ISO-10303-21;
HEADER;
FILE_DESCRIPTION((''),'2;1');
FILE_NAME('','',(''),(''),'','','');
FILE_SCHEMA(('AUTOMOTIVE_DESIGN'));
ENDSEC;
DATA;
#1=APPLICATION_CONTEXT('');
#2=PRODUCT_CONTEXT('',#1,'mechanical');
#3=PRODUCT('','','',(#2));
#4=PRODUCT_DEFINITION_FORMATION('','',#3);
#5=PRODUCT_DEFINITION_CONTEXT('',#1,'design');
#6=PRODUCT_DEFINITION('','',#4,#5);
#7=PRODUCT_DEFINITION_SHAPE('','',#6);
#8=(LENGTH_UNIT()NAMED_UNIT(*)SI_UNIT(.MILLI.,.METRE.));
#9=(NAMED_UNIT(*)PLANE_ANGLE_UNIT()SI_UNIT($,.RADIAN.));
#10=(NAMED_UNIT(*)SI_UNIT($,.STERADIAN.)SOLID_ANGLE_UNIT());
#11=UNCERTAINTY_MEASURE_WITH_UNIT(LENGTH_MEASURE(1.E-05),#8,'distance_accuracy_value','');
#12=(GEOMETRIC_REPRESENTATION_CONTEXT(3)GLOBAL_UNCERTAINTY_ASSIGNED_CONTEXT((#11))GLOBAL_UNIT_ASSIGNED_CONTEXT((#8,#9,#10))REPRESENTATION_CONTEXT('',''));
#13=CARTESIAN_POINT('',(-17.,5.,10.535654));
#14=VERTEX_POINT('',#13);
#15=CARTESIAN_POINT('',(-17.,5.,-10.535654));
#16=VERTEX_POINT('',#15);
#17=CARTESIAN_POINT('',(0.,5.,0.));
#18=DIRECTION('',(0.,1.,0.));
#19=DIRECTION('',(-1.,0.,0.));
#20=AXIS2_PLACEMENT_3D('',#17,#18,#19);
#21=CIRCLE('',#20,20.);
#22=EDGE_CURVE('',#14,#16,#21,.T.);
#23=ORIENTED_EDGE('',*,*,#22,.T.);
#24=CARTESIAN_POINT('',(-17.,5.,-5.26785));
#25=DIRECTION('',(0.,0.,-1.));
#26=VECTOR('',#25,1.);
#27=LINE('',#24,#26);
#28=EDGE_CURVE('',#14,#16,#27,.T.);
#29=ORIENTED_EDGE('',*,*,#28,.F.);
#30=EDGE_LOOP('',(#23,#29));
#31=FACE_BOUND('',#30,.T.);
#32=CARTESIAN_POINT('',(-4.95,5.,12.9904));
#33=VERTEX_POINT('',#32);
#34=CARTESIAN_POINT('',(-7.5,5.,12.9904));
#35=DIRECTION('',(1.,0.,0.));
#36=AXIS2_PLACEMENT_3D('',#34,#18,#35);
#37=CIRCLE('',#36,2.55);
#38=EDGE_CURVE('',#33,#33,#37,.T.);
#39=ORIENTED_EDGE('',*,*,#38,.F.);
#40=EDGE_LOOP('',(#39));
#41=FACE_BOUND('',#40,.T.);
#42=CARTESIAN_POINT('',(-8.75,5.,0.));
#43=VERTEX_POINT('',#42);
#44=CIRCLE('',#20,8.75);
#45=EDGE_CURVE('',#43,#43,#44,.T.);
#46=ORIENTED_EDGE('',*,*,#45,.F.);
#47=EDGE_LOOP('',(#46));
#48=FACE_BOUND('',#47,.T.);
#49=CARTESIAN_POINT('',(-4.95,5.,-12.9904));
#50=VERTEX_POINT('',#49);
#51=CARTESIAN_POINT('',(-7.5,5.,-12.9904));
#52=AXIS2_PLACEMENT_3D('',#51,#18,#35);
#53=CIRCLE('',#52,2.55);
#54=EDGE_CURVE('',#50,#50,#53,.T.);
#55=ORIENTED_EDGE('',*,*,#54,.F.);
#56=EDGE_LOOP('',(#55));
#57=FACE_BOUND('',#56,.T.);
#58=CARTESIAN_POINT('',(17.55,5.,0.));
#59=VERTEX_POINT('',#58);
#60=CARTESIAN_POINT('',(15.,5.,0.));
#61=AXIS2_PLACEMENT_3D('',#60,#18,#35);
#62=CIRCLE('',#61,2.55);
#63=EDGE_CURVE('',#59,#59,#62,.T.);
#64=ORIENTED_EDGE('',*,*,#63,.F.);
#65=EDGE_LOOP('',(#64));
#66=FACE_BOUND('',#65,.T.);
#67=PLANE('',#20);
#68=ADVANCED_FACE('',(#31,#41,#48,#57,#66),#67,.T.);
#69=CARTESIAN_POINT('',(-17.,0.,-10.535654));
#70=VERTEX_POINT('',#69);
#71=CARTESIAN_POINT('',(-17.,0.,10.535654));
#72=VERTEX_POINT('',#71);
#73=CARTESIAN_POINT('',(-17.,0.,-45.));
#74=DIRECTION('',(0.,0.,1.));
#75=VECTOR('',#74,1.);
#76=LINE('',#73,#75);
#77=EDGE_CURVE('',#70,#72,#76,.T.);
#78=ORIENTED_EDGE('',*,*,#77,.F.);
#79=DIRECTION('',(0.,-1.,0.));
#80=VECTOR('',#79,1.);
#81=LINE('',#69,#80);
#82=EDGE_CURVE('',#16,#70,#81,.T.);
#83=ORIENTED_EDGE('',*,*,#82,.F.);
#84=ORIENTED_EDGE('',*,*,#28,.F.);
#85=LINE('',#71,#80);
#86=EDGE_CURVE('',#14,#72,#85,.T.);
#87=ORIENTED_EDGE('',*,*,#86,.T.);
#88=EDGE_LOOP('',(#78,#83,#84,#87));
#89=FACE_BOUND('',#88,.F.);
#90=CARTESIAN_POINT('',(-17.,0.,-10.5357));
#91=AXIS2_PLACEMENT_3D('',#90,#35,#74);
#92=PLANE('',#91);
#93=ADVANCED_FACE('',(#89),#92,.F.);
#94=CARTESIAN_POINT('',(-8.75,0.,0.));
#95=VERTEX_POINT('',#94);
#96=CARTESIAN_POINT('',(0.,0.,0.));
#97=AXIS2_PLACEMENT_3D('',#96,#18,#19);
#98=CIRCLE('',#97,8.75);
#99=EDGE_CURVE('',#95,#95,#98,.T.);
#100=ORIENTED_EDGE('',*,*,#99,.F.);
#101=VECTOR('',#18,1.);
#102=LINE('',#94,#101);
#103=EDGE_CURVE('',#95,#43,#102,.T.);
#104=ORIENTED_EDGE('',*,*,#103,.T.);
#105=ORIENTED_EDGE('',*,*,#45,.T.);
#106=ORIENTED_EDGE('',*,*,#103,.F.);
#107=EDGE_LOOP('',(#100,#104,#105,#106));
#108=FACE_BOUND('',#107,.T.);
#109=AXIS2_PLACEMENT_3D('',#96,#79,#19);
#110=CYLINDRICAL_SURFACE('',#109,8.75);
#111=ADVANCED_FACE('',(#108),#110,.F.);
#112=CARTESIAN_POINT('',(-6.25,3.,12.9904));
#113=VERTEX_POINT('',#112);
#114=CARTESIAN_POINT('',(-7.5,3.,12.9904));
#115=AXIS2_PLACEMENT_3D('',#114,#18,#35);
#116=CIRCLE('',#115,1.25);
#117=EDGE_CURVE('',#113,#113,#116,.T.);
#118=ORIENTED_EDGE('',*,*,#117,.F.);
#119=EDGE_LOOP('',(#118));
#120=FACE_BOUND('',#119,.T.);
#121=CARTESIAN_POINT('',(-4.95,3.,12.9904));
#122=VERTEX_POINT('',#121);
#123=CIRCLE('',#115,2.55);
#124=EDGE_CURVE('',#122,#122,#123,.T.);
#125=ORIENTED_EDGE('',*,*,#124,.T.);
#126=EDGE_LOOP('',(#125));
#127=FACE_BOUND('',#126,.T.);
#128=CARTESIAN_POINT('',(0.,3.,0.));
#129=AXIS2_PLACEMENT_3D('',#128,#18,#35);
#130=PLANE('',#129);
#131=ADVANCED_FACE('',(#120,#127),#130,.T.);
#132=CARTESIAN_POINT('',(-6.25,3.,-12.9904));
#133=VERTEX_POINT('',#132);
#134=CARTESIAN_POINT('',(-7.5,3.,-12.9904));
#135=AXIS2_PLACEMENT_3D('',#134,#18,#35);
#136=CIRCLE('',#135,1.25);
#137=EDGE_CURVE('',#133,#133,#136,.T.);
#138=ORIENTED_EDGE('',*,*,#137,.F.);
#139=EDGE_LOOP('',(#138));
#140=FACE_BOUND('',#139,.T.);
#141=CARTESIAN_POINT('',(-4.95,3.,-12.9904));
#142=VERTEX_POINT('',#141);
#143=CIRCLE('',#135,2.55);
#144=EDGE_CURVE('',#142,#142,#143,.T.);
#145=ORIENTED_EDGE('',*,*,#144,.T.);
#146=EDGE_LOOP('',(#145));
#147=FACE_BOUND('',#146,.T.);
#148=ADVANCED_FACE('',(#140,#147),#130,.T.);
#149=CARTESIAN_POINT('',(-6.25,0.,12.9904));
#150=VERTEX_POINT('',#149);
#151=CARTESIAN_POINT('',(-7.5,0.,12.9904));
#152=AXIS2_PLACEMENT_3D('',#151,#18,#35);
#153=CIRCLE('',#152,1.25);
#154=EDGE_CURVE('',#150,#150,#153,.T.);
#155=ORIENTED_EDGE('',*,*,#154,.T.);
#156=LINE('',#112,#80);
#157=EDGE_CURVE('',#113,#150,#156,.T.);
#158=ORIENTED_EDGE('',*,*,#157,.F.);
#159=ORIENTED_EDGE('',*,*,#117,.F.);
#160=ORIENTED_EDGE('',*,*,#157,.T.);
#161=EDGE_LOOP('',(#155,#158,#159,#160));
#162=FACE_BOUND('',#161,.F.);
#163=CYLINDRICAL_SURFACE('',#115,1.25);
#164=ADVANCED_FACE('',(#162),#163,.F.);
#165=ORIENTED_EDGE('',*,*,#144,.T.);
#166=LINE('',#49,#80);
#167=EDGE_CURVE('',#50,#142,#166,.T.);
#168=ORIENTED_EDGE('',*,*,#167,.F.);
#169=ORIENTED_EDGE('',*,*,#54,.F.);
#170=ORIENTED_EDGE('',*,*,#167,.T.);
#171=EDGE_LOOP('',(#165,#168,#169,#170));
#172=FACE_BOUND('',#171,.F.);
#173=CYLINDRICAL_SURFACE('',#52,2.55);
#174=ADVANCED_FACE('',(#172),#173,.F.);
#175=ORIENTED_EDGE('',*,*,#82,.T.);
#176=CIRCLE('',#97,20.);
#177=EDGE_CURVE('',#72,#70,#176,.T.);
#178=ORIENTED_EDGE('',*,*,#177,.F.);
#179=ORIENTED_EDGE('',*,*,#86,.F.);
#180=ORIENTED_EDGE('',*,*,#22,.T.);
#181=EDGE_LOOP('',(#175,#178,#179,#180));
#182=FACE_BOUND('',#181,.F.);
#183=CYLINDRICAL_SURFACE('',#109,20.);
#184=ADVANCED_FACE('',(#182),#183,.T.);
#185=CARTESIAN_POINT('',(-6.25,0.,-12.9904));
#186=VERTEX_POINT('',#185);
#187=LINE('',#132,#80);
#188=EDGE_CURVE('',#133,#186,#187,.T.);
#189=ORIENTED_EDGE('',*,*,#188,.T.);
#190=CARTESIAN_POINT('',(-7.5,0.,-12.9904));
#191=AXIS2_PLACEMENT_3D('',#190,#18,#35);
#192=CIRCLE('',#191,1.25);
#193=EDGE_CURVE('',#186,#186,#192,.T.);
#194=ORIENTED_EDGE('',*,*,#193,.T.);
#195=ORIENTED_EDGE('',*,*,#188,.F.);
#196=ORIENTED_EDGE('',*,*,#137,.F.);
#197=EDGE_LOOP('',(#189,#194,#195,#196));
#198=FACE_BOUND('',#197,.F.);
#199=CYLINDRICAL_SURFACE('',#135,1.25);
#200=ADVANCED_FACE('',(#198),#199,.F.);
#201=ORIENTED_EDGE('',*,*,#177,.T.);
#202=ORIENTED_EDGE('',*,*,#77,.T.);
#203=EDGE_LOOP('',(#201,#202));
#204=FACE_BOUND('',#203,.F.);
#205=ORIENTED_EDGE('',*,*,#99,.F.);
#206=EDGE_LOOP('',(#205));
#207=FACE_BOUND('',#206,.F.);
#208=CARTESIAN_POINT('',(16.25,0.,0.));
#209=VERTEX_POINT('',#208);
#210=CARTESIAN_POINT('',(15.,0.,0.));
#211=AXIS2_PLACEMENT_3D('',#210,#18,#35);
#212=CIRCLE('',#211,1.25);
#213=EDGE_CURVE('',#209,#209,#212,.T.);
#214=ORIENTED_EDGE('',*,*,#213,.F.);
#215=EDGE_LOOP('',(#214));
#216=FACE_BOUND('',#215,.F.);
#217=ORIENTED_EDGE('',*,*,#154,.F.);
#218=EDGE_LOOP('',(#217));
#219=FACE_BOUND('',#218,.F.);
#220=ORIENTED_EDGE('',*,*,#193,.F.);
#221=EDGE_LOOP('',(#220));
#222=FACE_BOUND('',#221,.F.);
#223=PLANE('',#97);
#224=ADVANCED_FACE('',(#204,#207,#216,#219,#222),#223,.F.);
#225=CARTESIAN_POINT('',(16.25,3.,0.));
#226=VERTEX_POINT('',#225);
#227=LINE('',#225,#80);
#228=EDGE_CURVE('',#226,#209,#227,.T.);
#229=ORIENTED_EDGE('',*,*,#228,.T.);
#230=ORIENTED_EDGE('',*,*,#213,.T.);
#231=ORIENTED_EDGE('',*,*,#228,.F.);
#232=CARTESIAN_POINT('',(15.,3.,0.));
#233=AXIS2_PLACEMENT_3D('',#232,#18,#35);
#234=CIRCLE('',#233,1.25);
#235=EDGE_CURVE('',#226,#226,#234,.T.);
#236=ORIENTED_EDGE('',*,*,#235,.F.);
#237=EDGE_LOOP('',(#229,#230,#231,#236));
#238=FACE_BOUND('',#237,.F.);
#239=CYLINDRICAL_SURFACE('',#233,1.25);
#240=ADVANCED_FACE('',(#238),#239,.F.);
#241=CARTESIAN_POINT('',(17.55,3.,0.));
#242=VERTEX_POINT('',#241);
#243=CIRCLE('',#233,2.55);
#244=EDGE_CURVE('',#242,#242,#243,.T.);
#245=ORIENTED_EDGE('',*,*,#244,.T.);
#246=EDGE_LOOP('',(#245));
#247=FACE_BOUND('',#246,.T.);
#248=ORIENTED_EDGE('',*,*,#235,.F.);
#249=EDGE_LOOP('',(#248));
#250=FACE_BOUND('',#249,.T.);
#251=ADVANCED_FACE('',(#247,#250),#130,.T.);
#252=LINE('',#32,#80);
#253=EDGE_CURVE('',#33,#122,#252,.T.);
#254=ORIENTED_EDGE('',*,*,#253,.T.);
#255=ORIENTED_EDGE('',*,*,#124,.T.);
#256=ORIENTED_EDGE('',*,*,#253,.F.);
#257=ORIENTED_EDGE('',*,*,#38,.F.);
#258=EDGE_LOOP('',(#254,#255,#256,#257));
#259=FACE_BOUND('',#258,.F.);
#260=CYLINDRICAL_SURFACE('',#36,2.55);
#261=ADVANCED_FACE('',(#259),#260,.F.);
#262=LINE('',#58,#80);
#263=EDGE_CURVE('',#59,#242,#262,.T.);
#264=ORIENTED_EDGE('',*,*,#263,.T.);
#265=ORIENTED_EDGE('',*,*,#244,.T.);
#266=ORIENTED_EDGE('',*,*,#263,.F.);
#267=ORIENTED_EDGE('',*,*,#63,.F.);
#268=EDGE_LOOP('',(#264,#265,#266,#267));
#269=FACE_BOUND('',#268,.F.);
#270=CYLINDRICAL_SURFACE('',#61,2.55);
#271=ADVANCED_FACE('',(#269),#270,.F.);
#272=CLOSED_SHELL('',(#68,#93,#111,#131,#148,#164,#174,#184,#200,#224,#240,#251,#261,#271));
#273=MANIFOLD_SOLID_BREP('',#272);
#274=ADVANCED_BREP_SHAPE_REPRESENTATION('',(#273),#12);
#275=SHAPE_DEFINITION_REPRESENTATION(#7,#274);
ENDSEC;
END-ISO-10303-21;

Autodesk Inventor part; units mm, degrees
ref_plane "YZ Plane" through (0, 0, 0) normal (1, 0, 0) x (0, 1, 0)
ref_plane "XZ Plane" through (0, 0, 0) normal (0, 1, 0) x (-1, 0, 0)
ref_plane "XY Plane" through (0, 0, 0) normal (0, 0, 1) x (1, 0, 0)
sketch "Sketch1" plane through (0, 0, 0) normal (0, 1, 0) x (-1, 0, 0)
  circle A0 centre (0, 0) radius 8.75
  circle A1 centre (0, 0) radius 20
  dimension "d0" = 17.5
  dimension "d1" = 40
extrude "Extrusion1" add sketch "Sketch1" along normal blind 5
sketch "Sketch2" plane through (0, 5, 0) normal (0, 1, 0) x (1, 0, 0)
  circle A0 centre (0, 0) radius 15 construction
  circle A1 centre (15, 0) radius 2.55
  circle A2 centre (0, 0) radius 15 construction
  circle A3 centre (-7.5, 12.9904) radius 2.55
  circle A4 centre (0, 0) radius 15 construction
  circle A5 centre (-7.5, -12.9904) radius 2.55
  dimension "d4" = 30
  dimension "d5" = 5.1
  dimension "d8" = 360
extrude "Extrusion3" cut sketch "Sketch2" against normal blind 2
sketch "Sketch3" plane through (-7.5, 3, 12.9904) normal (0, 1, 0) x (1, 0, 0)
  circle A0 centre (0, 0) radius 1.25
  circle A1 centre (22.5, 12.9904) radius 2.55 projected
  circle A2 centre (22.5, 12.9904) radius 1.25
  circle A3 centre (0, 25.9808) radius 2.55 projected
  circle A4 centre (0, 25.9808) radius 1.25
  point P0 (7.5, 12.9904)
  dimension "d14" = 2.5
  dimension "d15" = 2.5
  dimension "d16" = 2.5
extrude "Extrusion4" cut sketch "Sketch3" against normal blind 3 contours A0 | A2 | A4
sketch "Sketch4" plane through (0, 0, 0) normal (0, -1, 0) x (1, 0, 0)
  line L0 (-17, -45) -> (-17, 22) projected
  arc A0 (-17, 10.5357) -> (-17, -10.5357) centre (0, 0) ccw
extrude "Extrusion5" cut sketch "Sketch4" against normal blind 10
properties part number "modified_o_ring"
